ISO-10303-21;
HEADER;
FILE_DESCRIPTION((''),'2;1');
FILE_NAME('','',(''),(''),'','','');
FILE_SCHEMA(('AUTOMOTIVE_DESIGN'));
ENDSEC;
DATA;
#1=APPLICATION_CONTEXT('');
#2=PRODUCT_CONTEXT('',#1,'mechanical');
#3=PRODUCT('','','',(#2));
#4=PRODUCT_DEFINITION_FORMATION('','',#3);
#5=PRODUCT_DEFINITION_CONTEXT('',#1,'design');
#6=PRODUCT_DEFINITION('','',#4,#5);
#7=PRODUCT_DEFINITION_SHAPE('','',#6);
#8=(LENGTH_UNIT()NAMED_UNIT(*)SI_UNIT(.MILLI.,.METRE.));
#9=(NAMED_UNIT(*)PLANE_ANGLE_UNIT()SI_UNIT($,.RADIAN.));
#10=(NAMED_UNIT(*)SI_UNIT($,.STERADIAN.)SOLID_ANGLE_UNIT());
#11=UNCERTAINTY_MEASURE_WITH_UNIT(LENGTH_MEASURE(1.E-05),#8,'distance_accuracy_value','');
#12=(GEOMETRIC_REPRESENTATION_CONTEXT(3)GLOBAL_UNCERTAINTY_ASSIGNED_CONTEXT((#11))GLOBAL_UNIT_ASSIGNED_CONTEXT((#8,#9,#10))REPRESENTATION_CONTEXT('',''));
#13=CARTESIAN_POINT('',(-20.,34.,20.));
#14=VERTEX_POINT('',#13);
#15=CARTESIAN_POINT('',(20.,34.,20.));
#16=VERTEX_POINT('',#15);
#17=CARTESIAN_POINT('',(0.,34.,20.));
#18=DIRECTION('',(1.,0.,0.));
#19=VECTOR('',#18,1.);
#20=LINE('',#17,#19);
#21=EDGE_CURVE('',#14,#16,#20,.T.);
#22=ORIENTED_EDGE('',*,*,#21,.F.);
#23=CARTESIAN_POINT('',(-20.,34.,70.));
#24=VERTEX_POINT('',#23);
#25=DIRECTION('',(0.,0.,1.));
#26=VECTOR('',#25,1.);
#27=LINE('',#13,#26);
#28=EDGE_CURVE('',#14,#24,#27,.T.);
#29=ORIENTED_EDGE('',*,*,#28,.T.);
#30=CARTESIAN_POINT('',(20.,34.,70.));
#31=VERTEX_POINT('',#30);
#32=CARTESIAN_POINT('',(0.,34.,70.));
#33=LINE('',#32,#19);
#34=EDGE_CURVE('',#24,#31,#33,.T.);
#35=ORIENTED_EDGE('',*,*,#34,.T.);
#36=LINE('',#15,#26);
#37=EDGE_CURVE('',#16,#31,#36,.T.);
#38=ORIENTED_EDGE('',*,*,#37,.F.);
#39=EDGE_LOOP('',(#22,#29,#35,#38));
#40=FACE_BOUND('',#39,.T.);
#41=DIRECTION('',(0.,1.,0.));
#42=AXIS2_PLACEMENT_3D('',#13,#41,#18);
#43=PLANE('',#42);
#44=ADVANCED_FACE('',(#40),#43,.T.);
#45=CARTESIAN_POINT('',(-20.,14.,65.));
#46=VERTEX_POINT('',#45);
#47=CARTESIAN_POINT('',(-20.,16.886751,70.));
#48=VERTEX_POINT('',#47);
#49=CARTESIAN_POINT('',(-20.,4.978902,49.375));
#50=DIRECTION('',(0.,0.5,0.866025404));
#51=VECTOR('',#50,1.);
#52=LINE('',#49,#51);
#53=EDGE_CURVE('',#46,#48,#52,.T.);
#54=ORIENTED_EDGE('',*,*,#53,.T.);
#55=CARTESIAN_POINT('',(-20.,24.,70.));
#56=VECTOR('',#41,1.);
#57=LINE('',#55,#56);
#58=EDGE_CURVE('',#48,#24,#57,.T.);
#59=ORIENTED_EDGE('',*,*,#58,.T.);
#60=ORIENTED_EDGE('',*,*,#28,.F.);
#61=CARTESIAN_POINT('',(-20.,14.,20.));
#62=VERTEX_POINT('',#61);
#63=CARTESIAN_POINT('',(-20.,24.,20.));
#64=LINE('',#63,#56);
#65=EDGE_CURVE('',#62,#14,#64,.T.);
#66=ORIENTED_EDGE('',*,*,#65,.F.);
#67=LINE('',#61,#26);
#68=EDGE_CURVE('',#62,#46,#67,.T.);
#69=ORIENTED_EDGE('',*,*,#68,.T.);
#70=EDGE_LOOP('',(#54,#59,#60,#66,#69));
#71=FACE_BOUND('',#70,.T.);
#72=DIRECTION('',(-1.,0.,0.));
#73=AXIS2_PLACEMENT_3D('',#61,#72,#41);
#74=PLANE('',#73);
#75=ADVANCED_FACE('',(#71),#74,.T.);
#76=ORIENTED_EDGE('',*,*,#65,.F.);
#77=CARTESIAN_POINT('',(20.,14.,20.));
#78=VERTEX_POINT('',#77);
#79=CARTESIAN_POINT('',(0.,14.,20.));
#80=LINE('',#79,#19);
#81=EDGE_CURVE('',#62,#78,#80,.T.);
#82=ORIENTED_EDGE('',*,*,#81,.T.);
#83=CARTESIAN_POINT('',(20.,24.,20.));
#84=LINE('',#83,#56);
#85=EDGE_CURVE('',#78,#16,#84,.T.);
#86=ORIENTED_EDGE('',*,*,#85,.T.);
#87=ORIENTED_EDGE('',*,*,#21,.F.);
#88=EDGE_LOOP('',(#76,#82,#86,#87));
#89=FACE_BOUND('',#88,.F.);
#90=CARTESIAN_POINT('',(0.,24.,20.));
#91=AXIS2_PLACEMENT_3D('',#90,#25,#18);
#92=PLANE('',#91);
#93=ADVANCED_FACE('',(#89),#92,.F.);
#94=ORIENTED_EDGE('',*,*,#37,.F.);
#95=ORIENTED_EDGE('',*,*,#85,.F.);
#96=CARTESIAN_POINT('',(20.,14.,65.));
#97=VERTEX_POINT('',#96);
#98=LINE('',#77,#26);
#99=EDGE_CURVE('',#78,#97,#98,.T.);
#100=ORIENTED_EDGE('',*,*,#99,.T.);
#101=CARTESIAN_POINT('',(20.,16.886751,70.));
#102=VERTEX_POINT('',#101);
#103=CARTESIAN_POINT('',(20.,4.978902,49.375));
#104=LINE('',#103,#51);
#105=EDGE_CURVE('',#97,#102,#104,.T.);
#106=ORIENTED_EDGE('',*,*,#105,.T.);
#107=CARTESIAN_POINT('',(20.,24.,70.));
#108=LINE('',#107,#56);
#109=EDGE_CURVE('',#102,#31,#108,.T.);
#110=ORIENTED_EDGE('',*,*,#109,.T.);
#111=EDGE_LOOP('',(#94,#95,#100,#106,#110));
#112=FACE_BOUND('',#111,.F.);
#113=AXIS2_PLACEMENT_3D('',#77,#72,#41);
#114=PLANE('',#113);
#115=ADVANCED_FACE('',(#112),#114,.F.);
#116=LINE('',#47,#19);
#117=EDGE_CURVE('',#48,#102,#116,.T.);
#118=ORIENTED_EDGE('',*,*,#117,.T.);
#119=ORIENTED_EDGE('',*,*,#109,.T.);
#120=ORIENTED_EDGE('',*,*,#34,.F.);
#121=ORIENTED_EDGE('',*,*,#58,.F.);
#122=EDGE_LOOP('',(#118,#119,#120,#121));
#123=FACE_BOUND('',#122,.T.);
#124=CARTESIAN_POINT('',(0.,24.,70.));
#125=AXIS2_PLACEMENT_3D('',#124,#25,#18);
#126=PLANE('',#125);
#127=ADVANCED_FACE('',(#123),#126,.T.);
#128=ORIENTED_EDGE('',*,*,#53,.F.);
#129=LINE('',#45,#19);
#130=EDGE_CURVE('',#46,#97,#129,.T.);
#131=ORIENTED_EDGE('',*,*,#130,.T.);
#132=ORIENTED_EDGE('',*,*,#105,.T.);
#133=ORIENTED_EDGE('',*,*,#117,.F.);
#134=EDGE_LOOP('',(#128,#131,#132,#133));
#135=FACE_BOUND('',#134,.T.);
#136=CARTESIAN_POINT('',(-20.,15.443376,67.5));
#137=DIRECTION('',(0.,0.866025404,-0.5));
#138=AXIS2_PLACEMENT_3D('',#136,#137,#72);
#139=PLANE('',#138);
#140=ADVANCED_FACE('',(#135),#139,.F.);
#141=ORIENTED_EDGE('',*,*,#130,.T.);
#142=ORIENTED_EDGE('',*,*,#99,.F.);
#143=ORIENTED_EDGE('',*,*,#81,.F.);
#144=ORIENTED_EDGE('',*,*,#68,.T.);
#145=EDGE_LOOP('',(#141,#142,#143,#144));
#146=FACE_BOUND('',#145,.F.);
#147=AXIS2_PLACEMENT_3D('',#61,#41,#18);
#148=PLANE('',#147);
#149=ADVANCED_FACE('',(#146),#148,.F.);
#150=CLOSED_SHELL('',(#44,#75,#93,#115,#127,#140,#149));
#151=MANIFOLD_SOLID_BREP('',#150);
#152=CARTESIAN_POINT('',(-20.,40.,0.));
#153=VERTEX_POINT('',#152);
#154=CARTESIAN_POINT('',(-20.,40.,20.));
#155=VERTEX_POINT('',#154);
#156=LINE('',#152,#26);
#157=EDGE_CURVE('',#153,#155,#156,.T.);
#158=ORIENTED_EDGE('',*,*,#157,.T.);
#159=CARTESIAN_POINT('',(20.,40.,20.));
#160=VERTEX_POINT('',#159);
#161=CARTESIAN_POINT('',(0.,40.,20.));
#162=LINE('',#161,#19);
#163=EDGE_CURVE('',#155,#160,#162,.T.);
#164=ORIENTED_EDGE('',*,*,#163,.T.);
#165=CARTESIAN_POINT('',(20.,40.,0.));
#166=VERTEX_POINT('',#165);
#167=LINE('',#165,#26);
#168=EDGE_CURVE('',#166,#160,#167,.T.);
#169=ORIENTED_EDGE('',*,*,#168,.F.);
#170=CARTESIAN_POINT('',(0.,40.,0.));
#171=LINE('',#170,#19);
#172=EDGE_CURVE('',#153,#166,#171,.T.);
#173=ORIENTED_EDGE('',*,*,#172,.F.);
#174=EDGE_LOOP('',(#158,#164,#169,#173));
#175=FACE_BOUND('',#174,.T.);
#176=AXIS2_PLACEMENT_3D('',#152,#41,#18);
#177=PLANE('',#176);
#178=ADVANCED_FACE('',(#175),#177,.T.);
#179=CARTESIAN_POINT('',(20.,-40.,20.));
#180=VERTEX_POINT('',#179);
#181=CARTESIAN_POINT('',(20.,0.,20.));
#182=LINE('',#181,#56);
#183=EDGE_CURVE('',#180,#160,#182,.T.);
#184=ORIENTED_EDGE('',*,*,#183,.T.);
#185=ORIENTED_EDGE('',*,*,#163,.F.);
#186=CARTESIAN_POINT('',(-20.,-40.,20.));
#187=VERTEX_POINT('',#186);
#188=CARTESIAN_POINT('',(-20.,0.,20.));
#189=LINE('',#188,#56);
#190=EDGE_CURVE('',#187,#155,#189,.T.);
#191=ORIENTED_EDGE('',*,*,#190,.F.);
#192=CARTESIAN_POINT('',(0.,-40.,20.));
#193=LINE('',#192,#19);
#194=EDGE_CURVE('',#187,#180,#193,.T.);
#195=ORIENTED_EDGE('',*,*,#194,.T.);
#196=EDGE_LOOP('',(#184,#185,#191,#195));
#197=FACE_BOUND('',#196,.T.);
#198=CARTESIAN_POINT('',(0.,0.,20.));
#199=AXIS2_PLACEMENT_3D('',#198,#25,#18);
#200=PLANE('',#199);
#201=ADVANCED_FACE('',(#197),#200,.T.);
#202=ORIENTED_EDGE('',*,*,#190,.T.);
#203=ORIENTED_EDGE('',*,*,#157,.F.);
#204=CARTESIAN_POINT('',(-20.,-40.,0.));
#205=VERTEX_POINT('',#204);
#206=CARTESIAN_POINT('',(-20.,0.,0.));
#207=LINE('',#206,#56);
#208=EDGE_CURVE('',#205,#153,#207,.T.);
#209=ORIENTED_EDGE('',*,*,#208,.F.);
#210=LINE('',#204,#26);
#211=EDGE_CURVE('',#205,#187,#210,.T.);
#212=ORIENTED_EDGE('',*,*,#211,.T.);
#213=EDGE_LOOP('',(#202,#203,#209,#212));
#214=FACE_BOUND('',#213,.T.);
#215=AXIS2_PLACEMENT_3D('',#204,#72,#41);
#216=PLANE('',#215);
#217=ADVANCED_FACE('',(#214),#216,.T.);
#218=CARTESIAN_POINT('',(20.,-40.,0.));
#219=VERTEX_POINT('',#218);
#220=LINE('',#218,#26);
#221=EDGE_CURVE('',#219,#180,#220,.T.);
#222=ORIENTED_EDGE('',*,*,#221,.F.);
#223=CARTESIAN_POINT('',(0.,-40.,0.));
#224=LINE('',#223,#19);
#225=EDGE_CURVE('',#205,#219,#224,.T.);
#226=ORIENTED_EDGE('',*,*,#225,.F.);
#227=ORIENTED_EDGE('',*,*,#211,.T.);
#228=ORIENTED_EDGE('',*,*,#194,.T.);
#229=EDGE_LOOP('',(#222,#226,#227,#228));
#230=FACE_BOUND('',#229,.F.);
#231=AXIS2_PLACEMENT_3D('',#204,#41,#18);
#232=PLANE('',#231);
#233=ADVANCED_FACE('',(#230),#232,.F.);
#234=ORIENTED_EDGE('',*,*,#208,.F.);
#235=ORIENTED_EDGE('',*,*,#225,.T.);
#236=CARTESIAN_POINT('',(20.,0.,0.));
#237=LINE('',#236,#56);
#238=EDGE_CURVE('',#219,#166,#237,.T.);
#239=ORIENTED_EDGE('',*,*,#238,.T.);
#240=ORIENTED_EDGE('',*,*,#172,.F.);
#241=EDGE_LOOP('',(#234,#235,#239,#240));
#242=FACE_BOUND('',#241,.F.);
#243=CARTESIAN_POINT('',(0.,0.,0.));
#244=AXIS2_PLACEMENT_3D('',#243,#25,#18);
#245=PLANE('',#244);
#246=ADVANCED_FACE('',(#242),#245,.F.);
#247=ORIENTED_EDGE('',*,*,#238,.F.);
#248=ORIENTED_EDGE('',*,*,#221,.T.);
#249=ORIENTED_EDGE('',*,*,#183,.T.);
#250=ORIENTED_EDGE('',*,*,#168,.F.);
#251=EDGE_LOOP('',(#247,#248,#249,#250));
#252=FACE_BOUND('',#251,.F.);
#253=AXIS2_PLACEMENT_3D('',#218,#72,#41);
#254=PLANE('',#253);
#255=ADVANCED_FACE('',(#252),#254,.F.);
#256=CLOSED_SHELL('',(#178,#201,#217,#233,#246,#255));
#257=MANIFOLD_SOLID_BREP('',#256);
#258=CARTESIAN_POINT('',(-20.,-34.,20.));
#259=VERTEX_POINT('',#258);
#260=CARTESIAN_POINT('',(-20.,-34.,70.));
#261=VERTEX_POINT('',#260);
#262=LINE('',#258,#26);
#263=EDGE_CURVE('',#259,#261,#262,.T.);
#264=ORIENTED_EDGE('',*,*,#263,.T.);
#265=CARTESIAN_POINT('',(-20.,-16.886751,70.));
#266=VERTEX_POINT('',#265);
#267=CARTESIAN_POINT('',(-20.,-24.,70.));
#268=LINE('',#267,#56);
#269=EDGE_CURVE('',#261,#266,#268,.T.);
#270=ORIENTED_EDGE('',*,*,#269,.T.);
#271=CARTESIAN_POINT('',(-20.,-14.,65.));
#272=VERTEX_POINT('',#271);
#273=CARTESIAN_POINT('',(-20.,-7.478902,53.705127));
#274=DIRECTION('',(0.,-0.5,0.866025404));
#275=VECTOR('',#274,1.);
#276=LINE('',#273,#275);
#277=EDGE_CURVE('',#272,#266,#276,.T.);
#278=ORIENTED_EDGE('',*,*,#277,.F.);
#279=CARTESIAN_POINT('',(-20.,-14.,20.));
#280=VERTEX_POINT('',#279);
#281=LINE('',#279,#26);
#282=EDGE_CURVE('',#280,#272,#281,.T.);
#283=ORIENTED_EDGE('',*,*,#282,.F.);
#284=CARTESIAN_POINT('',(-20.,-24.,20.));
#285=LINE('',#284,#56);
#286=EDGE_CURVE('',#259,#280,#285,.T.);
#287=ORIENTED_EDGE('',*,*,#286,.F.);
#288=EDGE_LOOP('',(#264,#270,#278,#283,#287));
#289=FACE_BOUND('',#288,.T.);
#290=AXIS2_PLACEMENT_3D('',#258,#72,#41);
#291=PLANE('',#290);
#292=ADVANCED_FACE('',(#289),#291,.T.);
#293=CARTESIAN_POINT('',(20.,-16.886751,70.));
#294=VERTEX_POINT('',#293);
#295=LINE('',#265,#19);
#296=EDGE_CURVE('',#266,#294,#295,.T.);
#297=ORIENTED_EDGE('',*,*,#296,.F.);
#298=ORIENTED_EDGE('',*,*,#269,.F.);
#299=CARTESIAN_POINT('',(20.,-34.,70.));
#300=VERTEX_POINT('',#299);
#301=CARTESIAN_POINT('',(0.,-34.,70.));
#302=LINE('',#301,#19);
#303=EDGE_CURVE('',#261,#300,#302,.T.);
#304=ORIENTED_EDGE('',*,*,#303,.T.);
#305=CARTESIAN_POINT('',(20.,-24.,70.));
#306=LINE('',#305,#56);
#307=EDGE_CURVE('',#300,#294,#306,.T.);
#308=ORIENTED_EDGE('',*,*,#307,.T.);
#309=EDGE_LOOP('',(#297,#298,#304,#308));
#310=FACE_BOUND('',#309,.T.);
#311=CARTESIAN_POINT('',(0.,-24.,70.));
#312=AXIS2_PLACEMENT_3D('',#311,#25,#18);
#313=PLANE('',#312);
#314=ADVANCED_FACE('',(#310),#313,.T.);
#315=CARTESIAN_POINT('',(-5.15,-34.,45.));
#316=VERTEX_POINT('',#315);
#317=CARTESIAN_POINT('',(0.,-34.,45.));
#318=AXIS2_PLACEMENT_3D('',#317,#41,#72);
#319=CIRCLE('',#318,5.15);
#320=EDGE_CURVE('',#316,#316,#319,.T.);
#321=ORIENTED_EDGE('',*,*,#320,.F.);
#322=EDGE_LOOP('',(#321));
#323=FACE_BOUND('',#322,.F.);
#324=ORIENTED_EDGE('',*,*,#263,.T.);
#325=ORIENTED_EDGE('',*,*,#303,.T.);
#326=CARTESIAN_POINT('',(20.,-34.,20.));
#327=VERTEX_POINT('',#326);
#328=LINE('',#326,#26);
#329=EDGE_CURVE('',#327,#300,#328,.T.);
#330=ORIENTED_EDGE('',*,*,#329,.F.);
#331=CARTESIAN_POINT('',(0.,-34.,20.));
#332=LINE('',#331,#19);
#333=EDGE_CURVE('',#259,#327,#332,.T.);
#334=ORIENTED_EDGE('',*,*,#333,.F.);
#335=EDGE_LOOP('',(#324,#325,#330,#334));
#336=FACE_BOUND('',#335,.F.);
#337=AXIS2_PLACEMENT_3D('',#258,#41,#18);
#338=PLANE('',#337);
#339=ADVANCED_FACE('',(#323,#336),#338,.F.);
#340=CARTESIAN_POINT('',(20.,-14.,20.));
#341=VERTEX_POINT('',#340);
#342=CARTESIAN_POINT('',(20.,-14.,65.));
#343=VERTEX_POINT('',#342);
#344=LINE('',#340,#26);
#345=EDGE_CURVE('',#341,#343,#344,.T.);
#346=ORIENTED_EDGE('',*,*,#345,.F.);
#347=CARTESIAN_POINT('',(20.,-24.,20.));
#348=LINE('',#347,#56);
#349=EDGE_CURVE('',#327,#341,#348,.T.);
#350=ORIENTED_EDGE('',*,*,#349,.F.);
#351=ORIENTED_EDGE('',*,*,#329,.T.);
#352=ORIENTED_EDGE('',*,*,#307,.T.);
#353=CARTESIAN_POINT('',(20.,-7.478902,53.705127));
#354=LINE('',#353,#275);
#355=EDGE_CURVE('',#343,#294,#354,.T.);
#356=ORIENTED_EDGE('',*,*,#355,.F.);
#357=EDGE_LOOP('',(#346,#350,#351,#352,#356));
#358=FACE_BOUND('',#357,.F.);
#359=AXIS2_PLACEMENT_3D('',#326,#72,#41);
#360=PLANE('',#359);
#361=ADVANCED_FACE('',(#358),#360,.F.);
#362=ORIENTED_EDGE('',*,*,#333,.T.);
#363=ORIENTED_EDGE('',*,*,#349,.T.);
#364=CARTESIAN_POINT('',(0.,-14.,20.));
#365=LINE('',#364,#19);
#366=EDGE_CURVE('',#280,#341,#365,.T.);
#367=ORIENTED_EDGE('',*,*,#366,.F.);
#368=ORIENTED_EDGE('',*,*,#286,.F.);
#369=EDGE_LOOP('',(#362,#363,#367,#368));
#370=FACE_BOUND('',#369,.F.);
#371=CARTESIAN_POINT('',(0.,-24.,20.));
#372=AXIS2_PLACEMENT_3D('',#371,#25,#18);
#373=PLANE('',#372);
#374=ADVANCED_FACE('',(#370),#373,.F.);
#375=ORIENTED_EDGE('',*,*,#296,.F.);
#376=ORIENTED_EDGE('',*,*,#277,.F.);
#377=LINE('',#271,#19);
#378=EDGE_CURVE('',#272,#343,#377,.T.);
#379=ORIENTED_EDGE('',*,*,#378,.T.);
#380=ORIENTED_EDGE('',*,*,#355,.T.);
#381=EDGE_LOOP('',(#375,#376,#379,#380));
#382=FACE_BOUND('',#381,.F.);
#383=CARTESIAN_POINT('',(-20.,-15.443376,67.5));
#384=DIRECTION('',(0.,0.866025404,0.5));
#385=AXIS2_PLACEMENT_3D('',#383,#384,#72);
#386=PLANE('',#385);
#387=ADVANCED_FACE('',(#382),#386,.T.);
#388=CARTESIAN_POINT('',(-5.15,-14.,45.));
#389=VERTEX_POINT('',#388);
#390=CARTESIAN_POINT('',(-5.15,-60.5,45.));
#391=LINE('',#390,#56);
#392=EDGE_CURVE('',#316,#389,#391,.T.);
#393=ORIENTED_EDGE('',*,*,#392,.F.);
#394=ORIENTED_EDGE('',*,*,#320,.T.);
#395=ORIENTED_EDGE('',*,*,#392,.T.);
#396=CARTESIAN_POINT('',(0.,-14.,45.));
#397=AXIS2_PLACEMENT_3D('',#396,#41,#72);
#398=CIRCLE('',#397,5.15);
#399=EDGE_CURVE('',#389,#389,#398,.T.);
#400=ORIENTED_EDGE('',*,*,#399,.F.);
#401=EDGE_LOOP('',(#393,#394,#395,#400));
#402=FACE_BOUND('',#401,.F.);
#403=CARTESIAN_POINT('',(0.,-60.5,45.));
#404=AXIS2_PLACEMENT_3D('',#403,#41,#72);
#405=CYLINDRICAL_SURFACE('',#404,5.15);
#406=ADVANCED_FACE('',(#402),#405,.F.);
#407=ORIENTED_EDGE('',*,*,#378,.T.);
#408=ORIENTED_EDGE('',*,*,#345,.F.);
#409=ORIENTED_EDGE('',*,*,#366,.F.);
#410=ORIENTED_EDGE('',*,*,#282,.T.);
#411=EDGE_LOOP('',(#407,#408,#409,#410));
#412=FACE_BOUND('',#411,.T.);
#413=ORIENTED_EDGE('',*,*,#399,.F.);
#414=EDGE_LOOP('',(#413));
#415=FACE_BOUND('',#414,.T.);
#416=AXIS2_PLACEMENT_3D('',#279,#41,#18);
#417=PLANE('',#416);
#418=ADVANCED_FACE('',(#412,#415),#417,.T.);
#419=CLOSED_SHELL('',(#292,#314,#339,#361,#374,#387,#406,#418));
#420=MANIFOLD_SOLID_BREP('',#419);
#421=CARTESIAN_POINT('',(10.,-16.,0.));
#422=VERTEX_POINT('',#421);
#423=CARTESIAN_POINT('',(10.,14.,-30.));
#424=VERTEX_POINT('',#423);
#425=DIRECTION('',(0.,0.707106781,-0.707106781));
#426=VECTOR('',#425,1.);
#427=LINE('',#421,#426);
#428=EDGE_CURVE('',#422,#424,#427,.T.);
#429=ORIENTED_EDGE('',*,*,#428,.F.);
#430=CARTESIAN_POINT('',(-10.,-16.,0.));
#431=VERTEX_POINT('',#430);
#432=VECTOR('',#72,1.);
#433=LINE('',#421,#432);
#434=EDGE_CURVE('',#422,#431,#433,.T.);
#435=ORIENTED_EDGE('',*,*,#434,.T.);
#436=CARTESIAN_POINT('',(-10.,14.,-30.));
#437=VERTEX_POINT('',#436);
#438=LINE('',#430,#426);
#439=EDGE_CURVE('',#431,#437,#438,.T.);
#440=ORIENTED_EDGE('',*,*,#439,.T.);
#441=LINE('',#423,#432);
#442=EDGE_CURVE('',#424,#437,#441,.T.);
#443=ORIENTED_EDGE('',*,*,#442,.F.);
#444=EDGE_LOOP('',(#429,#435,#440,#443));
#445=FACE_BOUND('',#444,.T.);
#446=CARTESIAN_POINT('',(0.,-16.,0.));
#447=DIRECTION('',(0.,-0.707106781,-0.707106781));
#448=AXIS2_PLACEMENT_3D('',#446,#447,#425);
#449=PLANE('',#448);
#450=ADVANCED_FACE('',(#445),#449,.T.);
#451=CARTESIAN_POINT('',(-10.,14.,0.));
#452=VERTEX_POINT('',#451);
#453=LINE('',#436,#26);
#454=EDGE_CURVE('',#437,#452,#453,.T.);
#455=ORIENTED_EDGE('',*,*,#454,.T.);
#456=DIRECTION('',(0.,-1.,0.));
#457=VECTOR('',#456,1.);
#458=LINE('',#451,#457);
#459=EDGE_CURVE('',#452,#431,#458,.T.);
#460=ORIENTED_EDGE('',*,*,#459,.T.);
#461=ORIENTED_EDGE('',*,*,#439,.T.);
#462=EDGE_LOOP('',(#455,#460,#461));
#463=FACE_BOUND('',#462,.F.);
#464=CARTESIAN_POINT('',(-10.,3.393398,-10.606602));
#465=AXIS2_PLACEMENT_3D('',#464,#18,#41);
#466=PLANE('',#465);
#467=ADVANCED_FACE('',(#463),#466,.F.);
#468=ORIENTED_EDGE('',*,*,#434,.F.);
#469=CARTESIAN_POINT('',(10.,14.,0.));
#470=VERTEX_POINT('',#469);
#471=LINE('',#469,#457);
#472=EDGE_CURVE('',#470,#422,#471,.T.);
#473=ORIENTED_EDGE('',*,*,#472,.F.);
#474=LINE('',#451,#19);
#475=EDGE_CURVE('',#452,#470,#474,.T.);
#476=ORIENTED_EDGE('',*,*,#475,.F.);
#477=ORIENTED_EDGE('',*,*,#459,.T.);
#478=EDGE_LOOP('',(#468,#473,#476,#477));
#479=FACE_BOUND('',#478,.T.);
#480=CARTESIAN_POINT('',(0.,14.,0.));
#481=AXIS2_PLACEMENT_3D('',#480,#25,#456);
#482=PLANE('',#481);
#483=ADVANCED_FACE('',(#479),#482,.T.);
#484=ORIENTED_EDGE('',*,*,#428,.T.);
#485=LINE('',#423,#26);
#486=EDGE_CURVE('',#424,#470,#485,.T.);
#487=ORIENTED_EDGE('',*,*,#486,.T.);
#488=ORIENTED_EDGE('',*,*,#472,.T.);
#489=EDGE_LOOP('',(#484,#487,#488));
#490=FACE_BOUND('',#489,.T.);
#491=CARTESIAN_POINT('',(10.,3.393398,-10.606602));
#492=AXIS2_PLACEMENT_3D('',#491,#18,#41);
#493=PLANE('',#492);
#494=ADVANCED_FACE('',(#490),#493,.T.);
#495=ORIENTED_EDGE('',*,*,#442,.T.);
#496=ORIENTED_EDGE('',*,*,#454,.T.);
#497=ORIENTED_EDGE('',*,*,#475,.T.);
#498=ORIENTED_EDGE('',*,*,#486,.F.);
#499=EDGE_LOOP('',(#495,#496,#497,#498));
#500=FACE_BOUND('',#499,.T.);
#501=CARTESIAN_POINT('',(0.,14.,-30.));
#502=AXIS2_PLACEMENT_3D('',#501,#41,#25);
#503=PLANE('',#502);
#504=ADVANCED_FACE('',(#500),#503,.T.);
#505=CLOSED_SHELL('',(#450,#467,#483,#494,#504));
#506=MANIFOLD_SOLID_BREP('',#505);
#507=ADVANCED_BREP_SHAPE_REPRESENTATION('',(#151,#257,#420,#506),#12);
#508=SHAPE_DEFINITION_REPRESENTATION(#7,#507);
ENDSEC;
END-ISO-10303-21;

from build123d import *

# Parameters (mm, degrees)
F0_W     = 40
F0_H     = 80
F1_DEPTH = 20
F2_W     = 40
F2_H     = 20
F3_DEPTH = 50
F5_DEPTH = 10
F7_D     = 10.3
F7_DEPTH = 26.5
F7_TIP   = 3.094432188
F8_SIZE2 = 2.8867513459
F8_SIZE  = 5
F9_SIZE2 = 2.8867513459
F9_SIZE  = 5


with BuildPart() as f1:
    # F0 (on Top) → F1 (new body)
    with BuildSketch(Plane.XY):
        Rectangle(F0_W, F0_H)
    extrude(amount=F1_DEPTH)


with BuildPart() as f3:
    # F2 (on face) → F3 (new body)
    with BuildSketch(Plane.XY.offset(20)):
        with Locations((0, -24)):
            Rectangle(F2_W, F2_H)
    extrude(amount=F3_DEPTH)

    # F7
    with Locations(Plane.XZ.offset(34)):
        with Locations((0, 45)):
            Hole(F7_D / 2, depth=F7_DEPTH)
            with Locations((0, 0, -(F7_DEPTH + F7_TIP / 2))):  # 118° drill point
                Cone(0, F7_D / 2, F7_TIP, mode=Mode.SUBTRACT)

    # F9
    f9_edges = [f3.edges().sort_by_distance(p)[0] for p in [
        (0, -14, 70),
    ]]
    f9_side = f3.faces().sort_by_distance((19.359688, -14, 45))[0]
    chamfer(f9_edges, length=F9_SIZE, length2=F9_SIZE2, reference=f9_side)


with BuildPart() as f3b:
    # F2 (on face) → F3, piece 2 (new body)
    with BuildSketch(Plane.XY.offset(20)):
        with Locations((0, 24)):
            Rectangle(F2_W, F2_H)
    extrude(amount=F3_DEPTH)

    # F8
    f8_edges = [f3b.edges().sort_by_distance(p)[0] for p in [
        (0, 14, 70),
    ]]
    f8_side = f3b.faces().sort_by_distance((0, 14, 45))[0]
    chamfer(f8_edges, length=F8_SIZE, length2=F8_SIZE2, reference=f8_side)


with BuildPart() as f5:
    # F4 (on Right) → F5 (new body, symmetric)
    with BuildSketch(Plane.YZ):
        Polygon((14, -30), (14, 0), (-16, 0), align=None)
    extrude(amount=F5_DEPTH, both=True)


solid = Compound([f1.part, f3.part, f3b.part, f5.part])
